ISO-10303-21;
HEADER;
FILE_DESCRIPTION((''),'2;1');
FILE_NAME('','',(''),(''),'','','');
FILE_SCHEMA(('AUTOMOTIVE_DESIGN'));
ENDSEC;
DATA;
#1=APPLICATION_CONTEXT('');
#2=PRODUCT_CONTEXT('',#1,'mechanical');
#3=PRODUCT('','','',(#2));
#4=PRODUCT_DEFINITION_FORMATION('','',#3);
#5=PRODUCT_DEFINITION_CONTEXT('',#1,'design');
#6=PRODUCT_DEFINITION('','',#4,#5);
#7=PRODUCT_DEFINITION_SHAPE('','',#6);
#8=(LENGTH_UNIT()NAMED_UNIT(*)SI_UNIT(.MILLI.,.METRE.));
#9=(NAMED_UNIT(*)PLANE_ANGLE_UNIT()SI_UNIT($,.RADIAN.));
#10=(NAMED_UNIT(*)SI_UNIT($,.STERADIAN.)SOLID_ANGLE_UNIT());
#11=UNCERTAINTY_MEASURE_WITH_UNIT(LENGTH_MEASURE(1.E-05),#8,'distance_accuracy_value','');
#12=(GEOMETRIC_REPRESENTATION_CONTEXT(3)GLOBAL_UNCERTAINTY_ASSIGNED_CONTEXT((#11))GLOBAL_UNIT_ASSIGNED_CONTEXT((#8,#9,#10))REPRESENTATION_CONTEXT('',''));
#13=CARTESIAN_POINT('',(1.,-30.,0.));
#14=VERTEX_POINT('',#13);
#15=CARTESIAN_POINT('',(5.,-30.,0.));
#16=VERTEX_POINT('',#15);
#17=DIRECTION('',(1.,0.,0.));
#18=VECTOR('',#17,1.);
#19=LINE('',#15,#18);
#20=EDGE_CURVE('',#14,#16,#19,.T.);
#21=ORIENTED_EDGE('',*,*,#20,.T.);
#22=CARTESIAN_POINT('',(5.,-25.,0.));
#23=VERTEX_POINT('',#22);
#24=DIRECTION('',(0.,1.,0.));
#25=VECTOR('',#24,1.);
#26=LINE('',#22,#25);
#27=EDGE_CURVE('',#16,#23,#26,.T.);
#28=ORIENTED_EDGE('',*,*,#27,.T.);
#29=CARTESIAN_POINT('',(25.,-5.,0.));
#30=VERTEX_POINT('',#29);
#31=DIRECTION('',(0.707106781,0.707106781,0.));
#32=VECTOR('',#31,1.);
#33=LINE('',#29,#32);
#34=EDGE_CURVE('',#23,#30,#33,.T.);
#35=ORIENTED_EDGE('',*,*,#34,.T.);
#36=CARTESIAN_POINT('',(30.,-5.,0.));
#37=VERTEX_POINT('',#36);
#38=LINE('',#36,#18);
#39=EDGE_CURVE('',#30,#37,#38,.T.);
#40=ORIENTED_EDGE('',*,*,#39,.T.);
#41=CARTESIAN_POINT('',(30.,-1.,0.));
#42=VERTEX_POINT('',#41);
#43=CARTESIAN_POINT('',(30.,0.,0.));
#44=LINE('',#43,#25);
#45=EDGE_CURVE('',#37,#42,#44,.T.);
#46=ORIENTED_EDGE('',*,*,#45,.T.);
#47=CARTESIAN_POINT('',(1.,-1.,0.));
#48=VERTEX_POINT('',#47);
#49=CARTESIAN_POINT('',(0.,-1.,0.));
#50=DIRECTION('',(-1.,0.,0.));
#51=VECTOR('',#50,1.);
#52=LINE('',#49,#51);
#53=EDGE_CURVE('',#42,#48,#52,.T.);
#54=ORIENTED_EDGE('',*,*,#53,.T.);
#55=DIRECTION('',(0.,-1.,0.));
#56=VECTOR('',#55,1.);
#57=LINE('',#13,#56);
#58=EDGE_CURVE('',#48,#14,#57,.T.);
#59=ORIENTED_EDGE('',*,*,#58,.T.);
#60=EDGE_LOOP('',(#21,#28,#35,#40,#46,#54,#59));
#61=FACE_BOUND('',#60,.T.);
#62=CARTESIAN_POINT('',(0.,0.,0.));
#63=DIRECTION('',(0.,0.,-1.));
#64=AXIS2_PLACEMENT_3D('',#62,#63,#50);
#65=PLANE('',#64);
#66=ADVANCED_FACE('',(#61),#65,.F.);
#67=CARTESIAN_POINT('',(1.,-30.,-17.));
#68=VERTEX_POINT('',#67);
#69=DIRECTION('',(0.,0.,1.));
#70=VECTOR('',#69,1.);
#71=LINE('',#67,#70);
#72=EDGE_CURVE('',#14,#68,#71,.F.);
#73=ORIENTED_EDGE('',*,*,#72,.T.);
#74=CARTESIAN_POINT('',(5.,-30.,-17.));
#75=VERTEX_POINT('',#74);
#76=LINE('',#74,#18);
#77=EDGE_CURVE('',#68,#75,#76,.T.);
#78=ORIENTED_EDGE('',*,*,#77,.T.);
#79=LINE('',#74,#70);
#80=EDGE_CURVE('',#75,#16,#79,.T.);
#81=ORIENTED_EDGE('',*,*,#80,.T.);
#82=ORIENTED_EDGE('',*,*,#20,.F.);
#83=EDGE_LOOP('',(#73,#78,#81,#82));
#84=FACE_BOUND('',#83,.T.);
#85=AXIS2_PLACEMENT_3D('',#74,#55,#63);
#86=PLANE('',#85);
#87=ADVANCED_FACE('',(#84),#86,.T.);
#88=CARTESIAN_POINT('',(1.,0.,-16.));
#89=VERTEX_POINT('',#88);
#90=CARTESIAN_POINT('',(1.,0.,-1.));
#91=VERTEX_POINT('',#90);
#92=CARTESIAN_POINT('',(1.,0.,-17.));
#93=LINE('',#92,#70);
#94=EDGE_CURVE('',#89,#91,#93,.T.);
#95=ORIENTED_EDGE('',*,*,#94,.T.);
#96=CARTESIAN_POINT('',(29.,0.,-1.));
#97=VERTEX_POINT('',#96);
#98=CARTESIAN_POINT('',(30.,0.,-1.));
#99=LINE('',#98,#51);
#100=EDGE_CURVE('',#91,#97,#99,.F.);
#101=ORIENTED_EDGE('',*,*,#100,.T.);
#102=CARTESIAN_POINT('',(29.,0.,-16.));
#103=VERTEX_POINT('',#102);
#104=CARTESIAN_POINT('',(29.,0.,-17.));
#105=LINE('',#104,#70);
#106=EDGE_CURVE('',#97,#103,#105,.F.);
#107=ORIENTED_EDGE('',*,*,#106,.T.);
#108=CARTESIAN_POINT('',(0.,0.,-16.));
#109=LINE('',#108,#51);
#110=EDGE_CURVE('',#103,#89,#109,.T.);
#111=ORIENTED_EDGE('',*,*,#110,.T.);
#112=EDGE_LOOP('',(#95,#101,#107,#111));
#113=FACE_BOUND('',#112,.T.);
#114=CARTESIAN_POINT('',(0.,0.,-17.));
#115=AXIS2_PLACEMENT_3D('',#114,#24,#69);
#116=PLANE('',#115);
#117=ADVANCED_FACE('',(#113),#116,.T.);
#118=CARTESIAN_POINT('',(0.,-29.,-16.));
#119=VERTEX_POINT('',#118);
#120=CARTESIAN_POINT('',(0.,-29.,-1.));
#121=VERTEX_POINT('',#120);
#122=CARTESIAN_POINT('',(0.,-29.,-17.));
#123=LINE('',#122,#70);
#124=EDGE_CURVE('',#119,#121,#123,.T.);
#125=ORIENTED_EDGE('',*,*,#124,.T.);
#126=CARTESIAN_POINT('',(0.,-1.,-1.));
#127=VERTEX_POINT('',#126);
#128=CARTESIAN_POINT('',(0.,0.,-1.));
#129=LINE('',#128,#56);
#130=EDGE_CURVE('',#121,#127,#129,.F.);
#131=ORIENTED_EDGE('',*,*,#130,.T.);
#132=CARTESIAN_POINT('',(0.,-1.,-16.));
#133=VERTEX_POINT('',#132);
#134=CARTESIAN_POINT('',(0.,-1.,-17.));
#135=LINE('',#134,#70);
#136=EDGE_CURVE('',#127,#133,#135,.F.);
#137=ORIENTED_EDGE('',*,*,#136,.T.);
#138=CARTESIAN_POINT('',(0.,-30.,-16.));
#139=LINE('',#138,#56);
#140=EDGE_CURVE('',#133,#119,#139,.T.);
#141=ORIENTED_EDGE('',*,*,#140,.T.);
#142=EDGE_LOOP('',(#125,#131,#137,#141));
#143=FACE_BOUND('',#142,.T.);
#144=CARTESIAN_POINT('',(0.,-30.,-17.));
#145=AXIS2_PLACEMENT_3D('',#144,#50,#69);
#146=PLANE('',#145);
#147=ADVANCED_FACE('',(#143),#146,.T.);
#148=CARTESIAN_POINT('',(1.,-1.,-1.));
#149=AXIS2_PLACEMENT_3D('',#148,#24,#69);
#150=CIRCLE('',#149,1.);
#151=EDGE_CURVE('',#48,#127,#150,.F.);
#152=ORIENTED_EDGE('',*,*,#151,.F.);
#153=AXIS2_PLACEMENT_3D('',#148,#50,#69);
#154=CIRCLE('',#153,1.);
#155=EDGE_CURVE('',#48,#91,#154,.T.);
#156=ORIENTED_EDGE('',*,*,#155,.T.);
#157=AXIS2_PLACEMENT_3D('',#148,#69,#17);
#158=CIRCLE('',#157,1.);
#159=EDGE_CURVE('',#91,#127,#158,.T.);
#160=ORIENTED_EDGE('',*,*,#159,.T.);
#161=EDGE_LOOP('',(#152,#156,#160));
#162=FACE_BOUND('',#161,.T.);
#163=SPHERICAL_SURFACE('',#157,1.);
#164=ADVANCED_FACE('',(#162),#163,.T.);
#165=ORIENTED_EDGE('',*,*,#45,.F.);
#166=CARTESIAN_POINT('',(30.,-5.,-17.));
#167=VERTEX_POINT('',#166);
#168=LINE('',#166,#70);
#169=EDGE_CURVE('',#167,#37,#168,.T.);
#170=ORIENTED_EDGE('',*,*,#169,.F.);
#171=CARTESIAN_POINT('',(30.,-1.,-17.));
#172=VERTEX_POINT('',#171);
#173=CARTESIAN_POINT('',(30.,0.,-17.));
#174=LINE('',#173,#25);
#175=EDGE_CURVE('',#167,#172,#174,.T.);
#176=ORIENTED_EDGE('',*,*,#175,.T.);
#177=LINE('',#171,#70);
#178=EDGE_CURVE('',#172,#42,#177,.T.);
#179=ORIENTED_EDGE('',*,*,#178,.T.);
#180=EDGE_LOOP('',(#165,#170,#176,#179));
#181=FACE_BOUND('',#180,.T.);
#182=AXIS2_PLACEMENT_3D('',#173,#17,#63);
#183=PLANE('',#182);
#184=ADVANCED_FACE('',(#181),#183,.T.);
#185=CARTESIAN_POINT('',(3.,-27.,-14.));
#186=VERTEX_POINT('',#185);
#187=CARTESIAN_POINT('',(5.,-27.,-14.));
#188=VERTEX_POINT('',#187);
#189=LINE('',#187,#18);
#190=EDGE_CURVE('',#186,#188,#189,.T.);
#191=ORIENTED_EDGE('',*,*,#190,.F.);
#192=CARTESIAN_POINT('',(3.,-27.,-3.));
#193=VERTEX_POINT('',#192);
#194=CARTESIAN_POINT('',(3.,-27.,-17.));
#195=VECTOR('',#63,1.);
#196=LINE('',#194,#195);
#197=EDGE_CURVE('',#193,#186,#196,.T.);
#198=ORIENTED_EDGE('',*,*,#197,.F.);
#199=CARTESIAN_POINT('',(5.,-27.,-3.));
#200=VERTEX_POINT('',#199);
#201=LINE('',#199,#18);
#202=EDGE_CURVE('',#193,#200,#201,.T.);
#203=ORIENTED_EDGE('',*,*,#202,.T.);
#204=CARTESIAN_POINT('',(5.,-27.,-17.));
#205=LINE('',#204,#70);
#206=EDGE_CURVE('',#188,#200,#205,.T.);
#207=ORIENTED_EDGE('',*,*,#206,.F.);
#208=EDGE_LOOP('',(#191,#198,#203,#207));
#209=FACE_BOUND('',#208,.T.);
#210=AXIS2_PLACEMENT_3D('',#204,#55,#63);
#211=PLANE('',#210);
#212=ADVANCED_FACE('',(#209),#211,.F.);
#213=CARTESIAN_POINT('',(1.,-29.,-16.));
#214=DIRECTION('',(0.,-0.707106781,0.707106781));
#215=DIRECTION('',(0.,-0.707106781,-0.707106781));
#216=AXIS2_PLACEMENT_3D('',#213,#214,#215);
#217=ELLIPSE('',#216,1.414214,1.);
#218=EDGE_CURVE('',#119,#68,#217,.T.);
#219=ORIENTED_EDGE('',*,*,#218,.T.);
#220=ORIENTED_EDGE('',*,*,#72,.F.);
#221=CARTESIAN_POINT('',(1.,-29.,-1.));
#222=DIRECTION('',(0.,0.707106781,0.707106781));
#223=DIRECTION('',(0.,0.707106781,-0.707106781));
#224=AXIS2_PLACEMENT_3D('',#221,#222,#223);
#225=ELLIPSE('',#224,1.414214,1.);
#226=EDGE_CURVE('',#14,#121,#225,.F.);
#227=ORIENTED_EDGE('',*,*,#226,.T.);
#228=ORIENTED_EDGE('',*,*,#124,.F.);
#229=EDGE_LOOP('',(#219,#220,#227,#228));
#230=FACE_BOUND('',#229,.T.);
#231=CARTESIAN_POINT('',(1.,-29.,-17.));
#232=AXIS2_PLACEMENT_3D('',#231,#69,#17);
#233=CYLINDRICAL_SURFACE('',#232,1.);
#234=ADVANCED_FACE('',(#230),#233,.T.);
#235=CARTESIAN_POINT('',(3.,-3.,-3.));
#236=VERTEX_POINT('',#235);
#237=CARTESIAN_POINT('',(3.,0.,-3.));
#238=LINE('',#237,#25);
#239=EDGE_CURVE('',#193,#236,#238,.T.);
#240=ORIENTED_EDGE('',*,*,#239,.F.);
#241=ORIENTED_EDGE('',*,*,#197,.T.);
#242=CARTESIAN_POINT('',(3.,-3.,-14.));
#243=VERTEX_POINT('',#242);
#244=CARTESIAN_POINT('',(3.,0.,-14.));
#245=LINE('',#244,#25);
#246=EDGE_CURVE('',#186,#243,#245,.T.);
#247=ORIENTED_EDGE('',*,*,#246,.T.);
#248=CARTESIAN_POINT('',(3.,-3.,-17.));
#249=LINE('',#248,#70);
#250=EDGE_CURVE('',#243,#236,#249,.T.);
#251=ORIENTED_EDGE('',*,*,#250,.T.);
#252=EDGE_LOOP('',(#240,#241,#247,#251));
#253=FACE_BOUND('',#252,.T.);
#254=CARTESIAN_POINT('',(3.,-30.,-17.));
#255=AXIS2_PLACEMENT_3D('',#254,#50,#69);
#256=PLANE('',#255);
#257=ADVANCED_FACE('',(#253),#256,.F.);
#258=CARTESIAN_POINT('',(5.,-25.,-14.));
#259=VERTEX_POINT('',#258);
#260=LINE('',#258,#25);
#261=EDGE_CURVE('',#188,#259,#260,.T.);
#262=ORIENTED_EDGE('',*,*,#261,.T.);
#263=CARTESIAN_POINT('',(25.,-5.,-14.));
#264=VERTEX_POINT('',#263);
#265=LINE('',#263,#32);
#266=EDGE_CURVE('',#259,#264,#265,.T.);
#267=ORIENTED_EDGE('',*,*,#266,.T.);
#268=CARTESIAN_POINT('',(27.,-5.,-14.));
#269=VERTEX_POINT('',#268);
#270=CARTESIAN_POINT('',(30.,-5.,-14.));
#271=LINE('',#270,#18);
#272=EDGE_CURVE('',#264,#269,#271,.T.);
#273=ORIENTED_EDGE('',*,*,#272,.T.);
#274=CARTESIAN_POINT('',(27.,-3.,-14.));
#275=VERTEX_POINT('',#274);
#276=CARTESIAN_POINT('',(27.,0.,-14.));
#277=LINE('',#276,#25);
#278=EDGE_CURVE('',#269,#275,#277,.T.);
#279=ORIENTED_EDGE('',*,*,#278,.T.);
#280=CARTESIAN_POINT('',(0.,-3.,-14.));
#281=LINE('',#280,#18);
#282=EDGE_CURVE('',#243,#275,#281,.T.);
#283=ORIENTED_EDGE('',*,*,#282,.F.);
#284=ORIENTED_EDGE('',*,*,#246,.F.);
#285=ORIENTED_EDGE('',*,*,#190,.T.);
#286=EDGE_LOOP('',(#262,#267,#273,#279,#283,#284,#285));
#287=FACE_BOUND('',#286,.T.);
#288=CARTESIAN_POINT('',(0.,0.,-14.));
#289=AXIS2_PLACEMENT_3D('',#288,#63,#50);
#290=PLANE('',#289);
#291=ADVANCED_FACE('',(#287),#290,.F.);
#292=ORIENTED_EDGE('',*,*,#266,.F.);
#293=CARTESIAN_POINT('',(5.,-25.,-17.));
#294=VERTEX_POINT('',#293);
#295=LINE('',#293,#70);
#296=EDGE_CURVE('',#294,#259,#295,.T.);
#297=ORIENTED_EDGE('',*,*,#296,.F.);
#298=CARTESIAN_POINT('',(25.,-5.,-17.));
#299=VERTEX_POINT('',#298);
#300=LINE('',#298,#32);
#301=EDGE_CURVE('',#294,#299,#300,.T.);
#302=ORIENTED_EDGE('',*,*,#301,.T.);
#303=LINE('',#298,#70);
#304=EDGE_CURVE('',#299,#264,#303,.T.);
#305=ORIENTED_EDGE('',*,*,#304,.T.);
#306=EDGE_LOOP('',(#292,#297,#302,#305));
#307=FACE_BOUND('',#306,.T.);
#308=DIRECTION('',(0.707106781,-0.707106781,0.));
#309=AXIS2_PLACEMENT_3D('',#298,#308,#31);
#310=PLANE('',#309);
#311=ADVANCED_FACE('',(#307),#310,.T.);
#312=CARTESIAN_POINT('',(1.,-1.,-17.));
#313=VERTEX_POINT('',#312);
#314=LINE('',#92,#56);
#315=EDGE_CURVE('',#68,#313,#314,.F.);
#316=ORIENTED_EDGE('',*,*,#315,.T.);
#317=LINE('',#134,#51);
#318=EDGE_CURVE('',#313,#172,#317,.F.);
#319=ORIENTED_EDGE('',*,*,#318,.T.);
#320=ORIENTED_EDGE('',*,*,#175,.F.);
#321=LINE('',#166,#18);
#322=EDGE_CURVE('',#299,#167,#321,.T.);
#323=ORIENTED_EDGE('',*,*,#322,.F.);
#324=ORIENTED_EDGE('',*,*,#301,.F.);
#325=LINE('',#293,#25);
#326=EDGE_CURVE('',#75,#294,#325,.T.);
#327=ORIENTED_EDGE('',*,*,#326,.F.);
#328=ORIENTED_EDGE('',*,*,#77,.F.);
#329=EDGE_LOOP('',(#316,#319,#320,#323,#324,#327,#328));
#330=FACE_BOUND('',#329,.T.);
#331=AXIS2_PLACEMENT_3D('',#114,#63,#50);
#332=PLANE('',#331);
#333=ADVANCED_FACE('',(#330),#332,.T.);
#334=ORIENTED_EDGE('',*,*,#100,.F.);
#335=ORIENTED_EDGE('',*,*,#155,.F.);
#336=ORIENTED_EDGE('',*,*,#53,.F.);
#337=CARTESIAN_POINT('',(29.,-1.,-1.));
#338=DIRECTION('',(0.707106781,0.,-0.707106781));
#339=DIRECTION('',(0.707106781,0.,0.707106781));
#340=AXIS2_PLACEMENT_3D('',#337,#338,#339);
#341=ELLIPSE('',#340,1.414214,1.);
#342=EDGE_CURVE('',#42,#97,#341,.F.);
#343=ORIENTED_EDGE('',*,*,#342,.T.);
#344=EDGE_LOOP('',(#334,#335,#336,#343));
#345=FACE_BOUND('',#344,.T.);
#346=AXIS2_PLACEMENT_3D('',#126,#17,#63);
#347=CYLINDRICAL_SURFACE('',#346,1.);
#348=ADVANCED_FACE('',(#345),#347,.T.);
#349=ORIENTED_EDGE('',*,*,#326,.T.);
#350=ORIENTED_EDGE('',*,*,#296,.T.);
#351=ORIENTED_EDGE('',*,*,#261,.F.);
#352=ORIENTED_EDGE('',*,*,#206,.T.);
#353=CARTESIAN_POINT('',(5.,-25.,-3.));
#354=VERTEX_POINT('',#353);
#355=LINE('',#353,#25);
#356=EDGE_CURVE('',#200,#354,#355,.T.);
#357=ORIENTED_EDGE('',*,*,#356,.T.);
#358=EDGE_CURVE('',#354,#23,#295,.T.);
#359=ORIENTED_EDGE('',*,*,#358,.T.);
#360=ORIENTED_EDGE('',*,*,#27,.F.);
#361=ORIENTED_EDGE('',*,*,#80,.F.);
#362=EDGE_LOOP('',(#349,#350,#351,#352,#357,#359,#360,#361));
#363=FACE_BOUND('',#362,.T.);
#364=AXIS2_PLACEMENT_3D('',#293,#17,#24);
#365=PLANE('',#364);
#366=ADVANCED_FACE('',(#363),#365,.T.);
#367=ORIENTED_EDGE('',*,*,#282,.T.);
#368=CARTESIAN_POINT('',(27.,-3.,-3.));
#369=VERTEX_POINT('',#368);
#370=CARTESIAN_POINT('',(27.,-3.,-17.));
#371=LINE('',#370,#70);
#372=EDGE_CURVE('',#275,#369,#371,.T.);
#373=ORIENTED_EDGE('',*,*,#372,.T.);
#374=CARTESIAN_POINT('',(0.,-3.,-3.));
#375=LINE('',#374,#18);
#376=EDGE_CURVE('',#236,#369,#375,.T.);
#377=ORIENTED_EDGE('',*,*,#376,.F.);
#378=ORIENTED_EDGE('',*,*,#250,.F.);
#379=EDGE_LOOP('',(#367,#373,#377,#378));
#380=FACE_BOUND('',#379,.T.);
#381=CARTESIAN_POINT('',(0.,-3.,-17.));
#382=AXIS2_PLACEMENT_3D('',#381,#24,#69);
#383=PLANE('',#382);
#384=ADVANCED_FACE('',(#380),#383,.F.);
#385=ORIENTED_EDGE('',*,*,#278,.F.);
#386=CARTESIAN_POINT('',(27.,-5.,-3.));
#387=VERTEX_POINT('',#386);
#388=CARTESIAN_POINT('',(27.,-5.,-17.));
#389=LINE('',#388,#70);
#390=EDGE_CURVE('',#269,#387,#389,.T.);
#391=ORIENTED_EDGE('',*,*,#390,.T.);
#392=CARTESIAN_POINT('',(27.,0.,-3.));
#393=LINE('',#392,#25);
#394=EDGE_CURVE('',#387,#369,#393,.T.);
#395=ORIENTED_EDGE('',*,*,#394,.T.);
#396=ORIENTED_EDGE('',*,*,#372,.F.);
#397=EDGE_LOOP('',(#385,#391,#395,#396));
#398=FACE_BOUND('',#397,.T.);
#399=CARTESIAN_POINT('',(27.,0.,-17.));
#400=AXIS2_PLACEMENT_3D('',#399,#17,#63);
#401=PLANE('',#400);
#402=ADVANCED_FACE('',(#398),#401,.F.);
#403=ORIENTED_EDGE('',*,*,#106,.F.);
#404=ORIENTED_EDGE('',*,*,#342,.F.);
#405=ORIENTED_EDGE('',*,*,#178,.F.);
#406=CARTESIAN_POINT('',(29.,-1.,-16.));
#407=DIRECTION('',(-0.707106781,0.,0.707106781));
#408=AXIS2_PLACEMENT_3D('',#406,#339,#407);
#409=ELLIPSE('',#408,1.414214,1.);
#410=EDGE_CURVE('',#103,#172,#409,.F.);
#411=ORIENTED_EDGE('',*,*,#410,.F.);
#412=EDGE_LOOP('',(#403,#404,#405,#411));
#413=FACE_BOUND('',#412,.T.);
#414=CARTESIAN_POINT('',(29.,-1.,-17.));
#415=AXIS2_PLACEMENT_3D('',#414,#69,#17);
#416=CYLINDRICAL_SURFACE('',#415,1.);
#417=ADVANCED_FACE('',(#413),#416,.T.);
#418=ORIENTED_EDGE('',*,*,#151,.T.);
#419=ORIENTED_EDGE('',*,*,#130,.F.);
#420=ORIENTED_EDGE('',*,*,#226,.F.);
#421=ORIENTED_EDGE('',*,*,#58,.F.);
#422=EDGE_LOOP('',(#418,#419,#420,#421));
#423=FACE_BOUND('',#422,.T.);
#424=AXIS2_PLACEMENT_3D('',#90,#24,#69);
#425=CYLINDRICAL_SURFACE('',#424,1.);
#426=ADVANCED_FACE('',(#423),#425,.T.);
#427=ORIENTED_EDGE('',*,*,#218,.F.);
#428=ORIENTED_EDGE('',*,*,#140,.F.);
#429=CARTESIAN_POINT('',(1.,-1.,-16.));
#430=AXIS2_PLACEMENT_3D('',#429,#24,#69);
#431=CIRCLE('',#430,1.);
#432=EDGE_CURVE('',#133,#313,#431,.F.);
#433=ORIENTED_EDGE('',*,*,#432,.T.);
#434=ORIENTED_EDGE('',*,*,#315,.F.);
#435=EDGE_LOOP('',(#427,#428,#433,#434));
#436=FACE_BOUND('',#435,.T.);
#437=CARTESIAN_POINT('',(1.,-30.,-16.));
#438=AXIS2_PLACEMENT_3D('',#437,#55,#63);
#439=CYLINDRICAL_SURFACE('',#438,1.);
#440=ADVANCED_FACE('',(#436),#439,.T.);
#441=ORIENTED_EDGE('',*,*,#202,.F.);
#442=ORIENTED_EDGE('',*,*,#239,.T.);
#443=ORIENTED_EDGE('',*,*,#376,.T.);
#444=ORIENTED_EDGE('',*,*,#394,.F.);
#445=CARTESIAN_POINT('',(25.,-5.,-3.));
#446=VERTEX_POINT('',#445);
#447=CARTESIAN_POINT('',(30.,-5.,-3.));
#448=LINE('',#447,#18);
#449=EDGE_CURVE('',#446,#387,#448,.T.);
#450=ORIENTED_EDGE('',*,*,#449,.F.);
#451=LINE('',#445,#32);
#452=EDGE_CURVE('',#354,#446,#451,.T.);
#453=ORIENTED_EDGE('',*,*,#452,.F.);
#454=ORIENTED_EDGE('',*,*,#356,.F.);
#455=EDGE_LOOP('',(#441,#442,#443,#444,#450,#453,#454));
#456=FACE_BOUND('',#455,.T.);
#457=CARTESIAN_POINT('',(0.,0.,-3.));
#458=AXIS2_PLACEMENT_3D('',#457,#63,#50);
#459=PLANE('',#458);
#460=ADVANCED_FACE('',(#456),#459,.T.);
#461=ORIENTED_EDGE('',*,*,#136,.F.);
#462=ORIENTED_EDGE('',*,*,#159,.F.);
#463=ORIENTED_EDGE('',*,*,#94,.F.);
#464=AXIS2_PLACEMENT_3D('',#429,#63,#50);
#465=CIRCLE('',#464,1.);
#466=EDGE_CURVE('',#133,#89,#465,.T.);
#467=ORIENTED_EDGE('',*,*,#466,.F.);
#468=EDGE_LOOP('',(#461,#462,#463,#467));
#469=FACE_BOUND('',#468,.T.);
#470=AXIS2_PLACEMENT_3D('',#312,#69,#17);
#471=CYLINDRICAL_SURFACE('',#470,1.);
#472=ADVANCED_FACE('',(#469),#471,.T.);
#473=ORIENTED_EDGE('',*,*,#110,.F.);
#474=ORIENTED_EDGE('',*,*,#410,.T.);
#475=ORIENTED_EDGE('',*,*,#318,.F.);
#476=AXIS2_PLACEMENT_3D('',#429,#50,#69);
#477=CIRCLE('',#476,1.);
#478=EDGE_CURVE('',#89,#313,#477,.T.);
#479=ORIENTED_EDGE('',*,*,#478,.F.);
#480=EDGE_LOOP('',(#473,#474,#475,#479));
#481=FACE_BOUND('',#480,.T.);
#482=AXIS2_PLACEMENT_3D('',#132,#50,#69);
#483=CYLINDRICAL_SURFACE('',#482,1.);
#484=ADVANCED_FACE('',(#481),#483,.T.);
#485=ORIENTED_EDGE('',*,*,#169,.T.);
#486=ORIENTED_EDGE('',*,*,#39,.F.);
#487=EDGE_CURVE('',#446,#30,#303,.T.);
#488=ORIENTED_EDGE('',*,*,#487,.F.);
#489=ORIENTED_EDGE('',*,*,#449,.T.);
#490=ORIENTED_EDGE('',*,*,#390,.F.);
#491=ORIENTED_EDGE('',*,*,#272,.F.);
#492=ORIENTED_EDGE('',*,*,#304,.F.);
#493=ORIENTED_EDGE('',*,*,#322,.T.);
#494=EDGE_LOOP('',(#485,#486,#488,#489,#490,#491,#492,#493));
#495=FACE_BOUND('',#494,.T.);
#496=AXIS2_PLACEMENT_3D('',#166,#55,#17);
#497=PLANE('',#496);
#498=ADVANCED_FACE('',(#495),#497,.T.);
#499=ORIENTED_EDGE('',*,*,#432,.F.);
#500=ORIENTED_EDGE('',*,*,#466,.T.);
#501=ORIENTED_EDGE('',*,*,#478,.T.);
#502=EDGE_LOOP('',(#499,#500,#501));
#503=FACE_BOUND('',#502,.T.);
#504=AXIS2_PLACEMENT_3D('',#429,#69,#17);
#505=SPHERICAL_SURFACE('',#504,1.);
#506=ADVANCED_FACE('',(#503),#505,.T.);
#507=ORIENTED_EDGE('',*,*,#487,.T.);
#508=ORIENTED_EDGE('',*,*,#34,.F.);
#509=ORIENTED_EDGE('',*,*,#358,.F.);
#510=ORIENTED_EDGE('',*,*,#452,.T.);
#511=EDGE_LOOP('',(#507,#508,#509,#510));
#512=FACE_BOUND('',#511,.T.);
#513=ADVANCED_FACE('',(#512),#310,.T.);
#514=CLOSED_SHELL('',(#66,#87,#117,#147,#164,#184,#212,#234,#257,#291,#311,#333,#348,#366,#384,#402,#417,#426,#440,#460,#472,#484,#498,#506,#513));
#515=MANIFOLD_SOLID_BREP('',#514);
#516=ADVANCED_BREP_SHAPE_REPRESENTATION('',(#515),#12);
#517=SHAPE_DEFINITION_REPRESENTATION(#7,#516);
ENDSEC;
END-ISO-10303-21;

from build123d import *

# Parameters (mm, degrees)
BOSS_EXTRUDE1_DEPTH = 17
FILLET1_R           = 1
SHELL1_T            = -3


with BuildPart() as part:
    # Sketch1 → Boss-Extrude1 (new body)
    with BuildSketch(Plane.XY):
        Polygon((0, 0), (30, 0), (30, -5), (25, -5), (5, -25), (5, -30), (0, -30), align=None)
    extrude(amount=-BOSS_EXTRUDE1_DEPTH)

    # Fillet1
    fillet1_edges = [part.edges().sort_by_distance(p)[0] for p in [
        (0, 0, -8.5),
        (30, 0, -8.5),
        (0, -30, -8.5),
        (15, 0, -17),
        (0, -15, -17),
        (15, 0, 0),
        (0, -15, 0),
    ]]
    fillet(fillet1_edges, radius=FILLET1_R)

    # Shell1
    shell1_openings = [part.faces().sort_by_distance(p)[0] for p in [
        (27.5, -5, -8.5),
        (15, -15, -8.5),
        (5, -27.5, -8.5),
    ]]
    offset(amount=SHELL1_T, openings=shell1_openings)


solid = part.part
